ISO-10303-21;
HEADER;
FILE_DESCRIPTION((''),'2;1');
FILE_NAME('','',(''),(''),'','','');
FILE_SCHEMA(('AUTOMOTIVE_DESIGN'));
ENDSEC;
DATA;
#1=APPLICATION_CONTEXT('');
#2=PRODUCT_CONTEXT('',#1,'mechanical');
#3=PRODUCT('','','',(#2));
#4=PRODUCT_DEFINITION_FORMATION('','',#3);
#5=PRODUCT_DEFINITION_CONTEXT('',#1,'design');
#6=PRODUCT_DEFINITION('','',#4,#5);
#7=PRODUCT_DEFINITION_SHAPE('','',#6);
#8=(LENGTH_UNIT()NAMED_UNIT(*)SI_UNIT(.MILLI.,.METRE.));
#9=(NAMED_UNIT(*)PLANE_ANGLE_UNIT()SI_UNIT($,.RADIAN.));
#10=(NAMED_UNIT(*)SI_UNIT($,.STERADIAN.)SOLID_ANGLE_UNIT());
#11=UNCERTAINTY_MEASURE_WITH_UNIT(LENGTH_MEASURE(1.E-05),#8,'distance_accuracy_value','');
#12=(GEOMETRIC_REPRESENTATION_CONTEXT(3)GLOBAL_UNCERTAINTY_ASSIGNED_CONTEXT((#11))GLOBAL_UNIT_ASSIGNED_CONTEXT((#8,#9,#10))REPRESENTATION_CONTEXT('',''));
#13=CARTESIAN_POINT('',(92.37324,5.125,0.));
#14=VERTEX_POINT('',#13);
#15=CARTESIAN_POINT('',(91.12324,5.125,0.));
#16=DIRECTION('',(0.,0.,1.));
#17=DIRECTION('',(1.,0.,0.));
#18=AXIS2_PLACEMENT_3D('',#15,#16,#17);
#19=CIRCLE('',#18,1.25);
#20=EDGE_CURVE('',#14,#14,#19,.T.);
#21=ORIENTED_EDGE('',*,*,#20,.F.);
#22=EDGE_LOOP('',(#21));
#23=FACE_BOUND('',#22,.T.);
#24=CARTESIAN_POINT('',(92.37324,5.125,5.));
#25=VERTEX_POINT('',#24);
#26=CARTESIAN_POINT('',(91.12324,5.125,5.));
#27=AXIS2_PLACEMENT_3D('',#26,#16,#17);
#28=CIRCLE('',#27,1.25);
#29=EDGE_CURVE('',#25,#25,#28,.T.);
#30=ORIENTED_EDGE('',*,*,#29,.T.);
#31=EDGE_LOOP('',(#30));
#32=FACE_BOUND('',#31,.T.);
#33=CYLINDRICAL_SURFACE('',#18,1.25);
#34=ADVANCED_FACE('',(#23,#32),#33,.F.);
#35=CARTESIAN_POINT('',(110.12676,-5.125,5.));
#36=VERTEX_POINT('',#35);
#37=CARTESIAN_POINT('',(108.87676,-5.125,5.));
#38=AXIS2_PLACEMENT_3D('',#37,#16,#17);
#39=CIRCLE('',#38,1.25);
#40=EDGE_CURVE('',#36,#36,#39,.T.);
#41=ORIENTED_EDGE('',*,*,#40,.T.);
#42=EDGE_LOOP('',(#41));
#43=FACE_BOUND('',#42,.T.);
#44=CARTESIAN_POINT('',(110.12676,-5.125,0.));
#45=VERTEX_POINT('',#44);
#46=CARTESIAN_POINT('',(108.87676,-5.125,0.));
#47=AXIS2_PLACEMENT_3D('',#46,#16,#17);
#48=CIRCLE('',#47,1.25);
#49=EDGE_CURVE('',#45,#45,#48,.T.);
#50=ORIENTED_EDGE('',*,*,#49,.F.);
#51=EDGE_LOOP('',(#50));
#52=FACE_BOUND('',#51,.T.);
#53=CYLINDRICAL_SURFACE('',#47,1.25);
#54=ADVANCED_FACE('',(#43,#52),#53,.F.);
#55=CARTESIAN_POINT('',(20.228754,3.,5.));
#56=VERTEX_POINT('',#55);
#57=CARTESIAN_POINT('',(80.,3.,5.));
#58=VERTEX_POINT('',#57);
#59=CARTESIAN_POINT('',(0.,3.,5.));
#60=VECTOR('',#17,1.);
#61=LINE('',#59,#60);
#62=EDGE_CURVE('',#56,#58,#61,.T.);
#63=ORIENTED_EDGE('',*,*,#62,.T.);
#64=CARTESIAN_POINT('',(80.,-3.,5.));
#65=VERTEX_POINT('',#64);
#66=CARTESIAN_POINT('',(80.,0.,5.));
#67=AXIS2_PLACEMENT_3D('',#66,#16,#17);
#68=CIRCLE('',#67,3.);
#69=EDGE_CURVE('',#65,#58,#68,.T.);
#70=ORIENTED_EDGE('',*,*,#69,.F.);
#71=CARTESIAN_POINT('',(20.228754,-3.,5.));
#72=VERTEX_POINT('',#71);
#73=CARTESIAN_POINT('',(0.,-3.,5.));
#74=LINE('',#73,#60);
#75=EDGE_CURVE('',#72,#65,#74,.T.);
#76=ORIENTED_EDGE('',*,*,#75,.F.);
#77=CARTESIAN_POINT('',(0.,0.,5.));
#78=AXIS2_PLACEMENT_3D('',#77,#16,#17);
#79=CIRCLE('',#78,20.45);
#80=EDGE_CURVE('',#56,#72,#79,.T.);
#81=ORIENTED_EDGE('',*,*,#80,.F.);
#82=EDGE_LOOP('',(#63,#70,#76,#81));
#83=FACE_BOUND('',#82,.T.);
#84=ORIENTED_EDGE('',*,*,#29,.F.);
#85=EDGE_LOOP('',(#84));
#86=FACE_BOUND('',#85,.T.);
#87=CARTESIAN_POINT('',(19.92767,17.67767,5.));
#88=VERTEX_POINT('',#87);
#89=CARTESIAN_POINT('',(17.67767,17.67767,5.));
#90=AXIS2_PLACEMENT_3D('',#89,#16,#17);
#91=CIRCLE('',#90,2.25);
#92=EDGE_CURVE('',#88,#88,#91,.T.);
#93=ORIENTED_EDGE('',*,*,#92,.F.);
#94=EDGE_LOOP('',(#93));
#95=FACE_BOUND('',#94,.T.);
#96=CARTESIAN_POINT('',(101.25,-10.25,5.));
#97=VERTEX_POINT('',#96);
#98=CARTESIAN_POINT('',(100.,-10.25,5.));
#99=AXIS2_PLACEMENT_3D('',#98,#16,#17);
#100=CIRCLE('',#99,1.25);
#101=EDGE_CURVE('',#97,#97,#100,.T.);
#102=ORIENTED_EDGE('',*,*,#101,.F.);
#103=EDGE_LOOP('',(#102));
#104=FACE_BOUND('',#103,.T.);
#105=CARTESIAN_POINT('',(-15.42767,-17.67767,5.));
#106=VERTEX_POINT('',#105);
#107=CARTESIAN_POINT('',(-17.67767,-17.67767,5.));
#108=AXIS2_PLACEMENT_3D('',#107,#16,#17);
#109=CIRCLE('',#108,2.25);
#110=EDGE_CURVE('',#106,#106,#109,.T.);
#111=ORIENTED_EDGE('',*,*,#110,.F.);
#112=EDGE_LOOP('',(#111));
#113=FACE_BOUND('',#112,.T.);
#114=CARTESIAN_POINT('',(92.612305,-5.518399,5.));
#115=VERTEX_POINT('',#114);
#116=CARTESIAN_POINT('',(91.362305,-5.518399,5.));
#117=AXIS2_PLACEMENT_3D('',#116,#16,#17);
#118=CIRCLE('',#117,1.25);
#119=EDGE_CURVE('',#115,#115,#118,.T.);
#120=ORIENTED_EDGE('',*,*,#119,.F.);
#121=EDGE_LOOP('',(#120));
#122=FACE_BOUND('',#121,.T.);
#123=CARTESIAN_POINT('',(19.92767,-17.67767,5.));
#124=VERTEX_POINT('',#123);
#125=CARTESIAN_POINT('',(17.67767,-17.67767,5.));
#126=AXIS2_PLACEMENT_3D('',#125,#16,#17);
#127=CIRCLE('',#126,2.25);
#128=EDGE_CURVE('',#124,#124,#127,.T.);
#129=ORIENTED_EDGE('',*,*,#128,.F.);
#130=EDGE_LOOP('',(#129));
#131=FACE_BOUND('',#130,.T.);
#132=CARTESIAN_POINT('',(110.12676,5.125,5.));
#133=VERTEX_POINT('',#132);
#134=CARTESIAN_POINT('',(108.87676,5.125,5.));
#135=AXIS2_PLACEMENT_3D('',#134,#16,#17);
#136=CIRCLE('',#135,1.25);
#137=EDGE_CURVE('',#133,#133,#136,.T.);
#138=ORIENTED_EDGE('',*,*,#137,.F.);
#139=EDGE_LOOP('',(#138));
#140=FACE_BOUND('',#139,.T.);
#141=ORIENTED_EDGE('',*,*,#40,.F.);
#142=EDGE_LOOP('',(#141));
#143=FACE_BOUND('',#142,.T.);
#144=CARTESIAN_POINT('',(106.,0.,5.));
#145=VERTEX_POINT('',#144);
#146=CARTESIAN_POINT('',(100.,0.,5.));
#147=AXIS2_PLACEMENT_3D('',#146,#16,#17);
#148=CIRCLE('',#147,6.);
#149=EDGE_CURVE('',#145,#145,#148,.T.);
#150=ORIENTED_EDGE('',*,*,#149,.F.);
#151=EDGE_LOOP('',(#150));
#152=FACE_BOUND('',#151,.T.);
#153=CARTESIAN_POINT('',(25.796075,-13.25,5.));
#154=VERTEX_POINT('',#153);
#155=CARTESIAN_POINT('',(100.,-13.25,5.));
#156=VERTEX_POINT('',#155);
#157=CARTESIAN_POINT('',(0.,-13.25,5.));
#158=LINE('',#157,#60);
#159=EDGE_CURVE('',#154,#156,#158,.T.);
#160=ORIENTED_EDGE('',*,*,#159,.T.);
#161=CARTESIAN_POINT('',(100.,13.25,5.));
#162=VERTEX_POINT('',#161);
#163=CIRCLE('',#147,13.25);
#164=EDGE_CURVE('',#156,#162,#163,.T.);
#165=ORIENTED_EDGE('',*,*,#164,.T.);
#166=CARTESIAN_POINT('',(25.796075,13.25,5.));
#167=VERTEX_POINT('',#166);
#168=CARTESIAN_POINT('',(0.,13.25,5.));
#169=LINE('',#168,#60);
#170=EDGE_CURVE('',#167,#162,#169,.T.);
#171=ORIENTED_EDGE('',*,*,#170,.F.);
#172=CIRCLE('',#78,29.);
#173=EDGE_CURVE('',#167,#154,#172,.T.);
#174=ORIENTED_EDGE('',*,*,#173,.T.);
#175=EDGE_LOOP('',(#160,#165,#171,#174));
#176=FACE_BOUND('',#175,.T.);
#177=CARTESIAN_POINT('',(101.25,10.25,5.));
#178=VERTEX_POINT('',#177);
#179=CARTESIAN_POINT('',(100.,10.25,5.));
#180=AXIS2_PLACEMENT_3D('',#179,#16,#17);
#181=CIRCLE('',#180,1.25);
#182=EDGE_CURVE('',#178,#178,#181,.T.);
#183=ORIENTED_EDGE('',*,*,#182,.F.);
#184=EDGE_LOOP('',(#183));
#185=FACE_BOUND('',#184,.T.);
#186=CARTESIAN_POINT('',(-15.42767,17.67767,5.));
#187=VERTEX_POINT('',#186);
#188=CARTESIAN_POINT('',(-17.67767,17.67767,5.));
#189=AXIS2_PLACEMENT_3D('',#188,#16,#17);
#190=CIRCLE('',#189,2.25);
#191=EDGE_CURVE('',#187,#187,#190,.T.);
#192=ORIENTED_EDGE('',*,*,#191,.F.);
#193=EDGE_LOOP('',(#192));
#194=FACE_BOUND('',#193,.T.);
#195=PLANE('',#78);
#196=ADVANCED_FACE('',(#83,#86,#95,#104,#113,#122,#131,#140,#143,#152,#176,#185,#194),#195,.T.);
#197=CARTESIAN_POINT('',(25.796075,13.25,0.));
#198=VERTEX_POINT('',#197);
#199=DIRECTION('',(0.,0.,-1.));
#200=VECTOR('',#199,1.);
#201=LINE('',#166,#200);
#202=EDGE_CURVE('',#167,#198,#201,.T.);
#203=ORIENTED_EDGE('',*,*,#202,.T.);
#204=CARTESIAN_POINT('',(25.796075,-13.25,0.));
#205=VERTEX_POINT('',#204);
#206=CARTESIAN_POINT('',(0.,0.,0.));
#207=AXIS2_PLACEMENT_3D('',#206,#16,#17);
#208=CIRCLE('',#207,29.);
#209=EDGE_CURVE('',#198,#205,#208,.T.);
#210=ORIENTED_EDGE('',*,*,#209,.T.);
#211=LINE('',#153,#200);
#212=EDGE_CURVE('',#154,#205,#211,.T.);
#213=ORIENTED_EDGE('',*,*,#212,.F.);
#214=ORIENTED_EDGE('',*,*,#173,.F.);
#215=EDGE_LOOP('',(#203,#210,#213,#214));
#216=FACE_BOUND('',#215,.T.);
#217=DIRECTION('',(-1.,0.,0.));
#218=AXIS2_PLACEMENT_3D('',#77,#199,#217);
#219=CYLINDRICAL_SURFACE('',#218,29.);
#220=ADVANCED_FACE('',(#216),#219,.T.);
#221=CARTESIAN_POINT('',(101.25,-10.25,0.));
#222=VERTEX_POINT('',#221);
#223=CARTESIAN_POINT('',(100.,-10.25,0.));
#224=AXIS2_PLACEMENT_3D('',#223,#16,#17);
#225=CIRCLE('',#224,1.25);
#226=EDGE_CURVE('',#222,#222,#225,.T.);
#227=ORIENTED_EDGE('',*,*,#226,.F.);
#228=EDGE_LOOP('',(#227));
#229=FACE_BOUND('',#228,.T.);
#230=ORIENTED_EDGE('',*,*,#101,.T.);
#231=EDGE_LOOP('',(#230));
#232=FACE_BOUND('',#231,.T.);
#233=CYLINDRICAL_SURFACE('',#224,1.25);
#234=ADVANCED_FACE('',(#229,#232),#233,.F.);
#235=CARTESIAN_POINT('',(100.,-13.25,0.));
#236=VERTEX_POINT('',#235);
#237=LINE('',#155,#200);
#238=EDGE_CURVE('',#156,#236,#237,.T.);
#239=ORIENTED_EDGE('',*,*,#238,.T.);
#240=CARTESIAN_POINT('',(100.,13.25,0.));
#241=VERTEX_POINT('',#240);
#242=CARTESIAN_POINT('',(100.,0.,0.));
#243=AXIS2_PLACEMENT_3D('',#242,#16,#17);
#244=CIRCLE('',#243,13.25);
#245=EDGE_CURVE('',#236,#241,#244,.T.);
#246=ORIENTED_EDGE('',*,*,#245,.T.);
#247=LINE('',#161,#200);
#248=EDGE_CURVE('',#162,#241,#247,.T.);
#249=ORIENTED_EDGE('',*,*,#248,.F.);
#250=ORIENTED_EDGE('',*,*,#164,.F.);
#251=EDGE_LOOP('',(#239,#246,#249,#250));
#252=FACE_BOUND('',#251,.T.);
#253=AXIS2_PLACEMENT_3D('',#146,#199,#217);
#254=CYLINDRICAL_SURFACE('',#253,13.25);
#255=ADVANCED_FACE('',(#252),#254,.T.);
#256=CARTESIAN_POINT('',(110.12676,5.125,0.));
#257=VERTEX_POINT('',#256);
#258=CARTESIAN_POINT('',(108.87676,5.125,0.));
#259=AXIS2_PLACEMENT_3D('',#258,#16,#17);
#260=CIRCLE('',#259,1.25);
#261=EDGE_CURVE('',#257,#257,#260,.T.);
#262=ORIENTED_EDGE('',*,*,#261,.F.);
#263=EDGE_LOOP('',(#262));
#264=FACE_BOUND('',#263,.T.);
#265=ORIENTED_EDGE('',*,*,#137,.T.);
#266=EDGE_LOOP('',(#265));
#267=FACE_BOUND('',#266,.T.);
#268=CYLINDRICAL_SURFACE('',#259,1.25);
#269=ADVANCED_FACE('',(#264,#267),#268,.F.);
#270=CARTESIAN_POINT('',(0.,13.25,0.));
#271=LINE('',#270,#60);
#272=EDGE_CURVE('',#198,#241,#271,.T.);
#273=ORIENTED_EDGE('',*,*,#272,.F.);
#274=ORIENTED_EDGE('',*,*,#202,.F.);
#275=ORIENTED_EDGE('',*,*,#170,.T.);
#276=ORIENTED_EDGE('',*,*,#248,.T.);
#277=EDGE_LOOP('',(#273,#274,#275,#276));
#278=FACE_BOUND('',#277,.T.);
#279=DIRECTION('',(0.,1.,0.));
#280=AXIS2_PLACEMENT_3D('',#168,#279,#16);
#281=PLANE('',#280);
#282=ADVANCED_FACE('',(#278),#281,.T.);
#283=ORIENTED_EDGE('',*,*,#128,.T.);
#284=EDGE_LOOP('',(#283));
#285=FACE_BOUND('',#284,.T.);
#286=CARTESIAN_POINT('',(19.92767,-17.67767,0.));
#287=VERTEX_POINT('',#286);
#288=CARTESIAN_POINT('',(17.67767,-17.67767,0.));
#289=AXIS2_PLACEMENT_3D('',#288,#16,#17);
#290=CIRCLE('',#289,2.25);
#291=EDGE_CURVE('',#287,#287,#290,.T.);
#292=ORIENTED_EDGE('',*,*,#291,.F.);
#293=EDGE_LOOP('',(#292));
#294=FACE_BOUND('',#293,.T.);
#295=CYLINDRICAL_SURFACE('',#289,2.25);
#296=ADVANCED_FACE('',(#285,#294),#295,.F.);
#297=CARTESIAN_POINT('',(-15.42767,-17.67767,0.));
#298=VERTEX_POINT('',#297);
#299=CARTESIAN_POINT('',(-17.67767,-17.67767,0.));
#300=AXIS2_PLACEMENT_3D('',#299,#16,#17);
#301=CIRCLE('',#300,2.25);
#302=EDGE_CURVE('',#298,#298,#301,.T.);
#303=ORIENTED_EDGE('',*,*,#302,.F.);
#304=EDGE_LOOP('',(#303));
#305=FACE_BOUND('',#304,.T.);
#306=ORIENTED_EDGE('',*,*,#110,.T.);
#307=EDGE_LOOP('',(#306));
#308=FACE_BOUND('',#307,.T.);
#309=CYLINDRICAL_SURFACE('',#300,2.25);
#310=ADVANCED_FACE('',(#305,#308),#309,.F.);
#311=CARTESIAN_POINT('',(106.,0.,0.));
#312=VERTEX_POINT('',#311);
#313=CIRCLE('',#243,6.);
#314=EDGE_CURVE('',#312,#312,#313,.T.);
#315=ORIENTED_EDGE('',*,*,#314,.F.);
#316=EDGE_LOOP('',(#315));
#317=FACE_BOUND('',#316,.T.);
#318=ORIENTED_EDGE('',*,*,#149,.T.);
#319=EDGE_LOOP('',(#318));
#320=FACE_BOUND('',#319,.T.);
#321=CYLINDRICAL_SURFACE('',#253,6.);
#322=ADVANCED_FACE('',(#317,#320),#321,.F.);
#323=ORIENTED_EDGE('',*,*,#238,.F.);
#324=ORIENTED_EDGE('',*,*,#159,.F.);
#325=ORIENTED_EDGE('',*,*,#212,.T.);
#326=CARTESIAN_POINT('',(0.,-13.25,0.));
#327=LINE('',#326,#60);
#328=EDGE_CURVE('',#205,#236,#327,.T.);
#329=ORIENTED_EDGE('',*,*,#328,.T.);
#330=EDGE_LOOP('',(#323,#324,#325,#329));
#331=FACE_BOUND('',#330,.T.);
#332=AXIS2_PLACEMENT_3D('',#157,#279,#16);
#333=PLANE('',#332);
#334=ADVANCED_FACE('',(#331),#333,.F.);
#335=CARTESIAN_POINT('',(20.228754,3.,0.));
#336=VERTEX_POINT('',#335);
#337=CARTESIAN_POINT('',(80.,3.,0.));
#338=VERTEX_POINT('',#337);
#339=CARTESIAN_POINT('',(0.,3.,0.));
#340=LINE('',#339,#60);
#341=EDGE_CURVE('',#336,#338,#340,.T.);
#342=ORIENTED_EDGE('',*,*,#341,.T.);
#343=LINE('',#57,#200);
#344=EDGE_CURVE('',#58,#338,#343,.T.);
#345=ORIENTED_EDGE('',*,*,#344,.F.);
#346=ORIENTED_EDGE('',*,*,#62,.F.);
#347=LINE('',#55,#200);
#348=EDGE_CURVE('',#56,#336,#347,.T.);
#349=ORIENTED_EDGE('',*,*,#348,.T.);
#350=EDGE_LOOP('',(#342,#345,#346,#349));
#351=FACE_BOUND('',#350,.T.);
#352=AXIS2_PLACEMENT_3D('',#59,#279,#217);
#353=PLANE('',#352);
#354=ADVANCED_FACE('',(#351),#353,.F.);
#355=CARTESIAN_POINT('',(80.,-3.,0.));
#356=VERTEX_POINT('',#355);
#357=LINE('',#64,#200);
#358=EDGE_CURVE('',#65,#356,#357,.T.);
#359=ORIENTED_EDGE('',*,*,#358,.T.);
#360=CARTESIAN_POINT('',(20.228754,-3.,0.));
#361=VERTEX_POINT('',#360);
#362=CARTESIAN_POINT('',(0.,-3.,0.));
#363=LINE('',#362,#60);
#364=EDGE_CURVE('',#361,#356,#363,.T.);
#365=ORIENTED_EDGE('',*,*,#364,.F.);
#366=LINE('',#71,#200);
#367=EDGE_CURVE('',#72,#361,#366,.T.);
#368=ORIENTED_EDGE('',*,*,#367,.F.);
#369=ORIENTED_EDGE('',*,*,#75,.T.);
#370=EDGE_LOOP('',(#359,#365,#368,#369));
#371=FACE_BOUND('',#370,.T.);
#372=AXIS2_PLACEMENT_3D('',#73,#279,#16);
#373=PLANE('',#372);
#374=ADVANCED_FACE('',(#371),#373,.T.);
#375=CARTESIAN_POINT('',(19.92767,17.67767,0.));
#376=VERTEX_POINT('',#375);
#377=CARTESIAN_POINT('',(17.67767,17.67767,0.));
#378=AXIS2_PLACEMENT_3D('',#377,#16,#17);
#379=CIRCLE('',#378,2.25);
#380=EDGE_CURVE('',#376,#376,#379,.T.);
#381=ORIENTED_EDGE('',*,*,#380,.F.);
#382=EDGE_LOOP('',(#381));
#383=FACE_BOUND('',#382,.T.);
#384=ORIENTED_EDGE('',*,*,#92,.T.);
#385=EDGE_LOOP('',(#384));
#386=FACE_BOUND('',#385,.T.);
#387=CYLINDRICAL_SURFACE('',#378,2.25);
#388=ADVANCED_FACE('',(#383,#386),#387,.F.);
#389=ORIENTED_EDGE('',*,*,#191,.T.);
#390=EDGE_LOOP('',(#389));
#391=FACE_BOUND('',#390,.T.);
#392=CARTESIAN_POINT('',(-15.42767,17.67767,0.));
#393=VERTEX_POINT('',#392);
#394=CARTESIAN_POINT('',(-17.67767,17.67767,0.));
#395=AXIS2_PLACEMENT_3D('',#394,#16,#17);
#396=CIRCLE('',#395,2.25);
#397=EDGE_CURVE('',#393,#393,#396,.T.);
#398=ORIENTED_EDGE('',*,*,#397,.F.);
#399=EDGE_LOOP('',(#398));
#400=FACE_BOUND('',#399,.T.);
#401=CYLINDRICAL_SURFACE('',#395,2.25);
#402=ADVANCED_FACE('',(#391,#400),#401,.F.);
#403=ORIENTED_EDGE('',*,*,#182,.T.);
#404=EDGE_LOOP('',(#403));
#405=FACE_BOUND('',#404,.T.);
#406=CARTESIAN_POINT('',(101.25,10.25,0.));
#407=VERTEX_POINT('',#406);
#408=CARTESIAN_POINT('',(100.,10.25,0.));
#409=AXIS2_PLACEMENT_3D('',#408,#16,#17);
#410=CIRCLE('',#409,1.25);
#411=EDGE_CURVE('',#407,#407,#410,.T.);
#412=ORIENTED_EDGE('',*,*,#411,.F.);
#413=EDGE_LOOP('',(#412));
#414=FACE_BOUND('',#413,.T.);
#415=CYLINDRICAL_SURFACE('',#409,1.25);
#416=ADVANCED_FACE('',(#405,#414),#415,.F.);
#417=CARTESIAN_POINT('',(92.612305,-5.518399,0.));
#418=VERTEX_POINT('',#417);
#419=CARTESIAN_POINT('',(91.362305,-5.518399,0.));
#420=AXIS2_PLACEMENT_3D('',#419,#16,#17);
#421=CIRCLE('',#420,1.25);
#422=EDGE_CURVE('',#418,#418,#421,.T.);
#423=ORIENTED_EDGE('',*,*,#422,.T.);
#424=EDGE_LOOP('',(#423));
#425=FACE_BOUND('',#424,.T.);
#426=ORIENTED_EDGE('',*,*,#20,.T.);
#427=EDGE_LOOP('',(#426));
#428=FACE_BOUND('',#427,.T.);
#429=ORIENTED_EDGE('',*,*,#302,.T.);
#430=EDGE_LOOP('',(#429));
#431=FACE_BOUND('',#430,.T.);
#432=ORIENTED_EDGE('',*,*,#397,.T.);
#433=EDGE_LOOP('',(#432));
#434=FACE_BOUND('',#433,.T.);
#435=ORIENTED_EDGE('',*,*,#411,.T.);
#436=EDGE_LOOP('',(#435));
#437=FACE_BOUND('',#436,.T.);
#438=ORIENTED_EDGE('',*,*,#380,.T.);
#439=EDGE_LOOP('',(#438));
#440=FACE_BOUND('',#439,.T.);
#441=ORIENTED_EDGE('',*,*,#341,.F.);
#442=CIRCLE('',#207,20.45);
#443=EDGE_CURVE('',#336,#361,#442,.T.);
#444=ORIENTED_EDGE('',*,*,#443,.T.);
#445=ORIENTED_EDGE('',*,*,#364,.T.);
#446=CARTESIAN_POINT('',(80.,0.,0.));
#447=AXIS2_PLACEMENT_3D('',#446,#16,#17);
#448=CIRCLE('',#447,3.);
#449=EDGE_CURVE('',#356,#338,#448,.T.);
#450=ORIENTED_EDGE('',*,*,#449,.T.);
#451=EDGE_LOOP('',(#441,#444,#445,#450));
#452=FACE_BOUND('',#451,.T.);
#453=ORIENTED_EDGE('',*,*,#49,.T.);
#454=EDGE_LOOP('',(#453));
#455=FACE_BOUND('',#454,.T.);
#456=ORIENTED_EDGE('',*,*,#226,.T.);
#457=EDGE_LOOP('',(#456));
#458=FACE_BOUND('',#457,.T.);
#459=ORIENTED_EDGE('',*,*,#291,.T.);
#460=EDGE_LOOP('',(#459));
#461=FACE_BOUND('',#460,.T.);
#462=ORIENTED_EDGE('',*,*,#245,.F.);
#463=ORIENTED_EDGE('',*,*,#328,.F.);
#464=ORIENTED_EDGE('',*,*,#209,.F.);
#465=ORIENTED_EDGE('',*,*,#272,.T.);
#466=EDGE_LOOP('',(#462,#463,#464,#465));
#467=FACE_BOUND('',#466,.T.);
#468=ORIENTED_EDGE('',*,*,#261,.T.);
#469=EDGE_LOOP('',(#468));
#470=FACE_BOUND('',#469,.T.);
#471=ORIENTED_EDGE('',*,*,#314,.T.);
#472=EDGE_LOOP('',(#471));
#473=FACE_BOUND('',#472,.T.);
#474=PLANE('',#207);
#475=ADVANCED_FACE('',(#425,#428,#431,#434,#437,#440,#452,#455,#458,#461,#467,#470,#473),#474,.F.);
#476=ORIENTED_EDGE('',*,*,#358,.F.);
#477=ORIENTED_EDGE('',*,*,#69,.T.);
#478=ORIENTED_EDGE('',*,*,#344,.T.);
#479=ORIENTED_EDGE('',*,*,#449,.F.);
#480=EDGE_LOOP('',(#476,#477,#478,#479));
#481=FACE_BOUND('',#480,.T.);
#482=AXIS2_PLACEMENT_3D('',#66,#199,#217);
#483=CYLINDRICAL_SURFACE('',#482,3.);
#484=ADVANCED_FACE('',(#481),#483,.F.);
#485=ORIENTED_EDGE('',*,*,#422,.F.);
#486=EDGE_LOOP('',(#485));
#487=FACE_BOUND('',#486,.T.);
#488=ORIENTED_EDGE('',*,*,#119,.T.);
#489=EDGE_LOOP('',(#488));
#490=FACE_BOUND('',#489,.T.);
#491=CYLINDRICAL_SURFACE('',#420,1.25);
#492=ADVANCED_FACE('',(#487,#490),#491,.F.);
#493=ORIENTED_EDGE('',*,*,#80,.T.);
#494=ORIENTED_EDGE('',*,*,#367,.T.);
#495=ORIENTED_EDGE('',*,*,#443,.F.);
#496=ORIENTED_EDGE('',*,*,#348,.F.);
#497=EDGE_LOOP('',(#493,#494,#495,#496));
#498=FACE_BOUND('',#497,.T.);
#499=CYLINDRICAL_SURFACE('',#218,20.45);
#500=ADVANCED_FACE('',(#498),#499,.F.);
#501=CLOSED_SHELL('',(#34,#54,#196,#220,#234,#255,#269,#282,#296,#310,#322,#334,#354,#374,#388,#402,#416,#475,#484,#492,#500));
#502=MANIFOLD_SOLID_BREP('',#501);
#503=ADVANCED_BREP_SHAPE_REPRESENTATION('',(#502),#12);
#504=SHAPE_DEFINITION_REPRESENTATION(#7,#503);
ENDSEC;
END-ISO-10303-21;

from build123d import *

# Parameters (mm, degrees)
SKETCH2_R           = 13.25
SKETCH2_R_2         = 6
BOSS_EXTRUDE1_DEPTH = 5
SKETCH3_R           = 2.25
SKETCH3_R_2         = 1.25
CUT_EXTRUDE1_DEPTH  = 6


with BuildPart() as part:
    # Sketch2 → Boss-Extrude1 (new body)
    with BuildSketch(Plane.XY):
        with BuildLine():
            ThreePointArc((15.576905983, -13.25), (-20.45, 0), (15.576905983, 13.25))
            Line((15.576905983, 13.25), (25.796075283, 13.25))
            ThreePointArc((25.796075283, 13.25), (-29, 0), (25.796075283, -13.25))
            Line((25.796075283, -13.25), (15.576905983, -13.25))
        make_face()
        with BuildLine():
            ThreePointArc((20.228754287, -3), (18.621948121, -8.451363686), (15.576905983, -13.25))
            Line((15.576905983, -13.25), (25.796075283, -13.25))
            ThreePointArc((25.796075283, -13.25), (27.796785579, -8.266723138), (28.844410204, -3))
            Line((28.844410204, -3), (20.228754287, -3))
        make_face()
        with BuildLine():
            Line((25.796075283, 13.25), (15.576905983, 13.25))
            ThreePointArc((15.576905983, 13.25), (18.621948121, 8.451363686), (20.228754287, 3))
            Line((20.228754287, 3), (28.844410204, 3))
            ThreePointArc((28.844410204, 3), (27.796785579, 8.266723138), (25.796075283, 13.25))
        make_face()
        with BuildLine():
            Line((100, 13.25), (25.796075283, 13.25))
            ThreePointArc((25.796075283, 13.25), (27.796785579, 8.266723138), (28.844410204, 3))
            Line((28.844410204, 3), (50, 3))
            Line((50, 3), (80, 3))
            ThreePointArc((80, 3), (82.121320344, 2.121320344), (83, 0))
            ThreePointArc((83, 0), (82.121320344, -2.121320344), (80, -3))
            Line((80, -3), (50, -3))
            Line((50, -3), (28.844410204, -3))
            ThreePointArc((28.844410204, -3), (27.796785579, -8.266723138), (25.796075283, -13.25))
            Line((25.796075283, -13.25), (100, -13.25))
            ThreePointArc((100, -13.25), (86.75, 0), (100, 13.25))
        make_face()
        with Locations((100, 0)):
            Circle(SKETCH2_R)
        with Locations((100, 0)):
            Circle(SKETCH2_R_2, mode=Mode.SUBTRACT)
    extrude(amount=BOSS_EXTRUDE1_DEPTH)

    # Sketch3 → Cut-Extrude1 (cut, through all)
    with BuildSketch(Plane.XY.offset(5)):
        with Locations((17.67766953, 17.67766953)):
            Circle(SKETCH3_R)
        with Locations((17.67766953, -17.67766953)):
            Circle(SKETCH3_R)
        with Locations((-17.67766953, -17.67766953)):
            Circle(SKETCH3_R)
        with Locations((-17.67766953, 17.67766953)):
            Circle(SKETCH3_R)
        with Locations((100, 10.25)):
            Circle(SKETCH3_R_2)
        with Locations((108.876760389, 5.125)):
            Circle(SKETCH3_R_2)
        with Locations((91.123239611, 5.125)):
            Circle(SKETCH3_R_2)
        with Locations((91.362305232, -5.518399142)):
            Circle(SKETCH3_R_2)
        with Locations((108.876760389, -5.125)):
            Circle(SKETCH3_R_2)
        with Locations((100, -10.25)):
            Circle(SKETCH3_R_2)
    extrude(amount=-CUT_EXTRUDE1_DEPTH, mode=Mode.SUBTRACT)


solid = part.part
